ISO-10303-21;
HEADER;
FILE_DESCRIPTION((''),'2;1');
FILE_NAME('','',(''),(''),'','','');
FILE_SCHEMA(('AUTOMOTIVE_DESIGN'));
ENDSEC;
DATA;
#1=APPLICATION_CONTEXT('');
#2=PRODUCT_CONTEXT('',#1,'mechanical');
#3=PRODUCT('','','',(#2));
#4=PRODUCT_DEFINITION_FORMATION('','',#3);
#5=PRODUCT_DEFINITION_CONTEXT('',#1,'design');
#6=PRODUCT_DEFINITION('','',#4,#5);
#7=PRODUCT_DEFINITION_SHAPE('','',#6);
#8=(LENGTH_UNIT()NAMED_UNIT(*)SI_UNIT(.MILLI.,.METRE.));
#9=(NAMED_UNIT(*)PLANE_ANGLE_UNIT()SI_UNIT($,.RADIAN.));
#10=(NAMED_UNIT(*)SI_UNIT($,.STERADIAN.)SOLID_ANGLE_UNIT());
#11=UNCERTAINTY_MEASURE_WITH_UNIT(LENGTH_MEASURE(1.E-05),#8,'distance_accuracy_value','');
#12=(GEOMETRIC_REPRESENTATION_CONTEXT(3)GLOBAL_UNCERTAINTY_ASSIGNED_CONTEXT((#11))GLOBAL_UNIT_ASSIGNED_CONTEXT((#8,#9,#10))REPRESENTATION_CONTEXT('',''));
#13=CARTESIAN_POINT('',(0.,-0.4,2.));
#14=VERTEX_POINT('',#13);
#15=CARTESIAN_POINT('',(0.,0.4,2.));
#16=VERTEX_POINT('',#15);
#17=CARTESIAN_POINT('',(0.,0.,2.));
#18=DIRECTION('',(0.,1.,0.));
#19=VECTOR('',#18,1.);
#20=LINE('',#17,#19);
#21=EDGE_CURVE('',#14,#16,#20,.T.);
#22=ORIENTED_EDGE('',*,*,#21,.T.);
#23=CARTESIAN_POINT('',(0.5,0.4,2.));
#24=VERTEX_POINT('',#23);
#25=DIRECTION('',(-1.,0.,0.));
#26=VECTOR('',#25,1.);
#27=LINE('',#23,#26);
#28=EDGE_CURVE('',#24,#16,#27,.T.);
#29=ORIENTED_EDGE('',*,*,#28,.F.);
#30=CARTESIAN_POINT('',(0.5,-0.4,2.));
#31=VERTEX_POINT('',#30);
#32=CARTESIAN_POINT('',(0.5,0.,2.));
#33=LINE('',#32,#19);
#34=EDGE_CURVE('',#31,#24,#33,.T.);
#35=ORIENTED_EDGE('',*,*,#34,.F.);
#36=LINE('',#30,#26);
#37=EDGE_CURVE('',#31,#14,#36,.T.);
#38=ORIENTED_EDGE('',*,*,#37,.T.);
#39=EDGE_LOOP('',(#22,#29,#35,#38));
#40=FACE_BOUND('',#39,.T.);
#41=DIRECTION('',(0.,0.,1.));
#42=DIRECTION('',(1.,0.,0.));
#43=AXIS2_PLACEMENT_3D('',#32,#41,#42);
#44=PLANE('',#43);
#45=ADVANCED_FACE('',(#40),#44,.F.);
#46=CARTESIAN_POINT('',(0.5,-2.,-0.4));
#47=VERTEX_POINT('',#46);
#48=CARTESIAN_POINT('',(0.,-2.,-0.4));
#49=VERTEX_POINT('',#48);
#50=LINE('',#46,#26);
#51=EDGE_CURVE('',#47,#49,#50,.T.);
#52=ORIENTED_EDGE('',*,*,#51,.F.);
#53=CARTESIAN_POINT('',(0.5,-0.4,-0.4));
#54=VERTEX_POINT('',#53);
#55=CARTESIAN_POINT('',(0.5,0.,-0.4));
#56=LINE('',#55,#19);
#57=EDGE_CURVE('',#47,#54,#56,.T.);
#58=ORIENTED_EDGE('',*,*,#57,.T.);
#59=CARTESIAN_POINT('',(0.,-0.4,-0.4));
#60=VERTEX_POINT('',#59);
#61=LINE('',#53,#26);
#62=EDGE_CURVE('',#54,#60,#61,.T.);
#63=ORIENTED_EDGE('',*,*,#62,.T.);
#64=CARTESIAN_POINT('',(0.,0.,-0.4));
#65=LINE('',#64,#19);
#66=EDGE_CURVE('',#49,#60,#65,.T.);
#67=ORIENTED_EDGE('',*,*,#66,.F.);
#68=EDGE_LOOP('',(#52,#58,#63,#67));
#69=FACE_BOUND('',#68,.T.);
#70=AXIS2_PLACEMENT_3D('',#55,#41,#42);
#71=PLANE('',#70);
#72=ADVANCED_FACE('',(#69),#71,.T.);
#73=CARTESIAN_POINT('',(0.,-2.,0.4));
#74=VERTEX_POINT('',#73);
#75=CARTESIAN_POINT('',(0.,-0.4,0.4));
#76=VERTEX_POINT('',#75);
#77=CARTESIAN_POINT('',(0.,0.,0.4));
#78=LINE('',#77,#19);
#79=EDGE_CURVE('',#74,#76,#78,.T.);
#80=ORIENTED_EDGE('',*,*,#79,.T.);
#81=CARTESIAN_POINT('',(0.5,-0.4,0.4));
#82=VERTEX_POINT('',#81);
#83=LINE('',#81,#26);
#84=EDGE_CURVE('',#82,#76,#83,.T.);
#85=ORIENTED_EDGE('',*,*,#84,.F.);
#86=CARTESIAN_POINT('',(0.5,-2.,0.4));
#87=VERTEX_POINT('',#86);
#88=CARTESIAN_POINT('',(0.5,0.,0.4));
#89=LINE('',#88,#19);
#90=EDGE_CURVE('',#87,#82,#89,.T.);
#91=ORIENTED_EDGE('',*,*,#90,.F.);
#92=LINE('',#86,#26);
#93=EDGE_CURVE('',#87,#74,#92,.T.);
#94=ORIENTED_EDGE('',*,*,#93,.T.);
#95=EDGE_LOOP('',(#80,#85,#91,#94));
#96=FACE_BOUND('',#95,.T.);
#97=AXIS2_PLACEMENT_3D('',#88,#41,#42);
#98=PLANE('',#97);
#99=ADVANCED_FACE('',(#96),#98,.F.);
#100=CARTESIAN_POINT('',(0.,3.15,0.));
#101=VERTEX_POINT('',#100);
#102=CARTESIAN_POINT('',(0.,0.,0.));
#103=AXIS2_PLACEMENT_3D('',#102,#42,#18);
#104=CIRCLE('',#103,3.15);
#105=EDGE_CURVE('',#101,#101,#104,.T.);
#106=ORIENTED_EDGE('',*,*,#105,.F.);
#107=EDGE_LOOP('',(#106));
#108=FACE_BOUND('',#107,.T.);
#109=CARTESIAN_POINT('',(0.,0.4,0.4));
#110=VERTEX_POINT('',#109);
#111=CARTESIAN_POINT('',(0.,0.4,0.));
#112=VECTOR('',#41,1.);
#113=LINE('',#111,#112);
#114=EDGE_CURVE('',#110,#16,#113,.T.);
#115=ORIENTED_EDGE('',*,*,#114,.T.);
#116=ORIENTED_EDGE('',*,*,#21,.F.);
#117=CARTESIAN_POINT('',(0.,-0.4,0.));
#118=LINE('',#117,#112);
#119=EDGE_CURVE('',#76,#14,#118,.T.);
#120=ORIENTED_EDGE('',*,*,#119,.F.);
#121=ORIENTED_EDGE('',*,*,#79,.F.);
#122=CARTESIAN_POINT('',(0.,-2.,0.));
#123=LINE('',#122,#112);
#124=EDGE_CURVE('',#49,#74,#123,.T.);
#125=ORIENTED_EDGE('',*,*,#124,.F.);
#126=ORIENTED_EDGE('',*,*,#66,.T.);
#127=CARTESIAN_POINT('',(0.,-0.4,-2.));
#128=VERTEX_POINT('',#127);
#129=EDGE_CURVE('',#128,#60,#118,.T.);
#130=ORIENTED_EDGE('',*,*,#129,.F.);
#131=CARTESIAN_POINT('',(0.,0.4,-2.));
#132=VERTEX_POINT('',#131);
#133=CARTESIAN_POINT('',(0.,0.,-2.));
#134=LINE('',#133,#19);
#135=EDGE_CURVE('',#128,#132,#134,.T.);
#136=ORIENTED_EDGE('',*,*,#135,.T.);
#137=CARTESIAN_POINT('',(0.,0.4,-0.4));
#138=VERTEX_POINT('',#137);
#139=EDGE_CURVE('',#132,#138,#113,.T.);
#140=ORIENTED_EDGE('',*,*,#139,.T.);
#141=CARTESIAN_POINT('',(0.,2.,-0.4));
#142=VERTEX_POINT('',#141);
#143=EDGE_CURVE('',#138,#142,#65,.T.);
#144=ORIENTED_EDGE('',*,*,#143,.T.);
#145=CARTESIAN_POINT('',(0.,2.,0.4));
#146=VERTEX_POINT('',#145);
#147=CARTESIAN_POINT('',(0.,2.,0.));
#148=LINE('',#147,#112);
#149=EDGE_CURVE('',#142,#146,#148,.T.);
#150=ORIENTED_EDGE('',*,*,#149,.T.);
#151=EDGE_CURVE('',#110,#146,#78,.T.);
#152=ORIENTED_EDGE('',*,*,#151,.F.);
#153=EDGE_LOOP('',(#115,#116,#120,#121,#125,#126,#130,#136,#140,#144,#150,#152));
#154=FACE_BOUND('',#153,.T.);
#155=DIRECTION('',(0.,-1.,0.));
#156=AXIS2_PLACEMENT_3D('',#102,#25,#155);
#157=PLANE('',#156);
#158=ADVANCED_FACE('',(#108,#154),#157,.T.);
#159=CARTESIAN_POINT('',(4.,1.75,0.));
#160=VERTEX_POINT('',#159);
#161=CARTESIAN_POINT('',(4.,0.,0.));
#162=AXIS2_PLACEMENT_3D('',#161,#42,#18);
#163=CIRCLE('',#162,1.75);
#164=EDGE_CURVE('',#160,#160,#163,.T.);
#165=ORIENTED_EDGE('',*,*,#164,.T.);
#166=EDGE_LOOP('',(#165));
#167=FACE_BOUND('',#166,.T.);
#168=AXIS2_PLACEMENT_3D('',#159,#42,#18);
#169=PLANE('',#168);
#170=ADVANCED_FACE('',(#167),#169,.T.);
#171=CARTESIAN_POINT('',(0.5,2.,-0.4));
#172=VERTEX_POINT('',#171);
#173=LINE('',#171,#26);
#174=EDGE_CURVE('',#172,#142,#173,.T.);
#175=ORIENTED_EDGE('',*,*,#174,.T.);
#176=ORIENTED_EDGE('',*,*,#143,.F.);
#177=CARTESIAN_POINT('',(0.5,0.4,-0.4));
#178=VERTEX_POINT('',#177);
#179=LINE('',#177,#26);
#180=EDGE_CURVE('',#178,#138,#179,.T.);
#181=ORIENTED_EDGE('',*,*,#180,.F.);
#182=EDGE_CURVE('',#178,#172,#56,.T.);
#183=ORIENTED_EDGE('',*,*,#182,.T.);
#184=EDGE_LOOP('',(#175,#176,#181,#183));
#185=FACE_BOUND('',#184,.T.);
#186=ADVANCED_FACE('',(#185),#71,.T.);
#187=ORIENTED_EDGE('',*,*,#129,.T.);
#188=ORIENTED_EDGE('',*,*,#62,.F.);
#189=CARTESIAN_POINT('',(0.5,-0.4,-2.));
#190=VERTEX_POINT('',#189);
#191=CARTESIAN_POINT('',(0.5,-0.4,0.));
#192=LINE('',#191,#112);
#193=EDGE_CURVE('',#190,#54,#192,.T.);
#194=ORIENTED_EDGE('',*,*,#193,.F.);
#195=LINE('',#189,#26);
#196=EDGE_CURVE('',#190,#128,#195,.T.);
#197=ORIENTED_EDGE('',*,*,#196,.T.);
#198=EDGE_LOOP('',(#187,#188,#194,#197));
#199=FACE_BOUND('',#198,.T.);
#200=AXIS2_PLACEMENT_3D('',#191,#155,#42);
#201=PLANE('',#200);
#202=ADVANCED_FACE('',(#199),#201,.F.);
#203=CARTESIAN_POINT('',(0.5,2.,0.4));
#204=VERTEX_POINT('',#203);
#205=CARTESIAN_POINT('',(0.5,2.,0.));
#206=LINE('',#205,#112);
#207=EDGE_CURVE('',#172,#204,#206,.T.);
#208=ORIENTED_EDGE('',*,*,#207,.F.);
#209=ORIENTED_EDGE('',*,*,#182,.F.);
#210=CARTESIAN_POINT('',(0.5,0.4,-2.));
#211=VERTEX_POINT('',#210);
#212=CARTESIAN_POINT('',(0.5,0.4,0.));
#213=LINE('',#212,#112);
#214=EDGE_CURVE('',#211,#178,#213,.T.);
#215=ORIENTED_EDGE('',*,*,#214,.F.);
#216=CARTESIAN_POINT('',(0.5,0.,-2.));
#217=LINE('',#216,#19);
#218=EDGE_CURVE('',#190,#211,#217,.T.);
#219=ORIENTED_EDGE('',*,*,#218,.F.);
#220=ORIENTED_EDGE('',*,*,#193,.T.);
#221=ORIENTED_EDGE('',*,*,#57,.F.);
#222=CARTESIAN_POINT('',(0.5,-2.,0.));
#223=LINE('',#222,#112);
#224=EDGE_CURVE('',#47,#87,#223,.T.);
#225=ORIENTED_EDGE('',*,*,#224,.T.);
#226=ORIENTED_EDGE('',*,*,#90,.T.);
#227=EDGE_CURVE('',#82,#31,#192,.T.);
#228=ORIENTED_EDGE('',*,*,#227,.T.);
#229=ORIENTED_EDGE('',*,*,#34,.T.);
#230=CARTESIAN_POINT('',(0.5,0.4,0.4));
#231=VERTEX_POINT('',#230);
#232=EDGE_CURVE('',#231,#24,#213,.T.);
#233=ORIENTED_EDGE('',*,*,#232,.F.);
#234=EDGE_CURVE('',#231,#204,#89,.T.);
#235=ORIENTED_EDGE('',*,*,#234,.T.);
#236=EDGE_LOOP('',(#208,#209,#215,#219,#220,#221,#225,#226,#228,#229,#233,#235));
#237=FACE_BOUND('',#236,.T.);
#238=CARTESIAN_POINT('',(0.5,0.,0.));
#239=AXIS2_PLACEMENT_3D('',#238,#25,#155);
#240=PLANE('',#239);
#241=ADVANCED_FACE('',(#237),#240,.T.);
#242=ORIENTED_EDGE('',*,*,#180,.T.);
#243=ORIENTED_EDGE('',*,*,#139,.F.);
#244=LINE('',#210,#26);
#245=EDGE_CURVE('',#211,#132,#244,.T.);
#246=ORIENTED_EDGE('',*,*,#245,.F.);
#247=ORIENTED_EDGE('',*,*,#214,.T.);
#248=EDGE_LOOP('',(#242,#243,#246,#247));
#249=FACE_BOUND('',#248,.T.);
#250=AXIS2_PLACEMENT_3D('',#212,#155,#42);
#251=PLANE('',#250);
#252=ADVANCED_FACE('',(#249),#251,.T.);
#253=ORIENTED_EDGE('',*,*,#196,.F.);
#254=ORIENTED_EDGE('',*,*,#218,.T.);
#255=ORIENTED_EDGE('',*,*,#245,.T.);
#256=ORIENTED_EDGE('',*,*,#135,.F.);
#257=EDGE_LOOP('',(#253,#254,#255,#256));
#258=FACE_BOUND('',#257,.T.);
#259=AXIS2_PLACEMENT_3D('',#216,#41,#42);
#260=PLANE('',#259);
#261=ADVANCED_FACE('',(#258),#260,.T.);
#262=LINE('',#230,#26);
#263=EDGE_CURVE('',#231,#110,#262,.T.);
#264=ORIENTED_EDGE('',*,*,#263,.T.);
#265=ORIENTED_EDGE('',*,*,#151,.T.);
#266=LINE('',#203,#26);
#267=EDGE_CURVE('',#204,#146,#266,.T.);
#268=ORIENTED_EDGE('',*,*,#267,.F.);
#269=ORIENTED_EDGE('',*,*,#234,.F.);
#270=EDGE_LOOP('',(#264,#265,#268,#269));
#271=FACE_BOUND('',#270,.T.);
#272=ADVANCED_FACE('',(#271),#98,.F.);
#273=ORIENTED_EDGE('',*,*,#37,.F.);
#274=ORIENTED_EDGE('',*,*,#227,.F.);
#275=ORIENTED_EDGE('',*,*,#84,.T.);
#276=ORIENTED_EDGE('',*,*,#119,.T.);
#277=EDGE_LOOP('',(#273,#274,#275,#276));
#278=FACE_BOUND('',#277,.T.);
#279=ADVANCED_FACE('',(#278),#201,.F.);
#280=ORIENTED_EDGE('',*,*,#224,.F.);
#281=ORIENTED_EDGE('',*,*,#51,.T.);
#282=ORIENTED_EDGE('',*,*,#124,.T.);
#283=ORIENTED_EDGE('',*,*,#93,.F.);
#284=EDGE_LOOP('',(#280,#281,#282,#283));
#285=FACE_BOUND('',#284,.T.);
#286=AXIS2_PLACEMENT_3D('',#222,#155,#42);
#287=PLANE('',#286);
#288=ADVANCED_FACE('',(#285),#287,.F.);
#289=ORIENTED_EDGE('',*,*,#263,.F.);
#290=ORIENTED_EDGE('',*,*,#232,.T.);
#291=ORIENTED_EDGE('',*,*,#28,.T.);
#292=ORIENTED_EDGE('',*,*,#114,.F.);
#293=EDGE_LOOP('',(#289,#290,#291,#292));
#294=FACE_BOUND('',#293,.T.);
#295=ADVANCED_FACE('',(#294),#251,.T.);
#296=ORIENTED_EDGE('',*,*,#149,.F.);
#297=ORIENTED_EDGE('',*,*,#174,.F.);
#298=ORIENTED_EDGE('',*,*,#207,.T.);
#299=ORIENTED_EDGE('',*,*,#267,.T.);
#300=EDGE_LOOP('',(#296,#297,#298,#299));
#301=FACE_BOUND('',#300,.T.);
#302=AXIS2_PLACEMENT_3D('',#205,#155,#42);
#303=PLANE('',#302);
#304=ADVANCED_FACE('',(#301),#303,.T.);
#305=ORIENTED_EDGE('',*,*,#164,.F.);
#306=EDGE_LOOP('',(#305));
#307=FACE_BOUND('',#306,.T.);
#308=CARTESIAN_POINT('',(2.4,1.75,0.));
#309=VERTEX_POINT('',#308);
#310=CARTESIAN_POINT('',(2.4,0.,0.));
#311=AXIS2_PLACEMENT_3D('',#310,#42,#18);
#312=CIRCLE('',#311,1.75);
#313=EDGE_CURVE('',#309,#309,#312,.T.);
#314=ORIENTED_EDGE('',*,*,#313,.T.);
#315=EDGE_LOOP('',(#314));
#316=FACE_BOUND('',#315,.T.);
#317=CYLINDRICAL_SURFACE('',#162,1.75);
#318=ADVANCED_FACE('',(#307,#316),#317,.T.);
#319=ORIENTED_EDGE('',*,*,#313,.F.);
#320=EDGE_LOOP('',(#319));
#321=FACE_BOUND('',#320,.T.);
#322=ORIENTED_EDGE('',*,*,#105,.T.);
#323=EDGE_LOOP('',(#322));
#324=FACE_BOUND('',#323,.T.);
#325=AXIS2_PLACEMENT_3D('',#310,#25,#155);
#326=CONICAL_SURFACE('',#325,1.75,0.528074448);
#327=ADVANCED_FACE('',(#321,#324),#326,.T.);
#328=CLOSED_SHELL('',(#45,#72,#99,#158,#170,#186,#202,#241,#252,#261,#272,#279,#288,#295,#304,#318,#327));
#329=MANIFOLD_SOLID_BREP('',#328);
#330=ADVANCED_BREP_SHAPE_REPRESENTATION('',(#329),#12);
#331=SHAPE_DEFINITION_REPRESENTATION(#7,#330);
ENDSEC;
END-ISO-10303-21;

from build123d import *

# Parameters (mm, degrees)
SKETCH_2_W          = 0.8
SKETCH_2_H          = 1.6
SKETCH_2_W_2        = 1.6
SKETCH_2_H_2        = 0.8
CUT_EXTRUDE_1_DEPTH = 0.5


with BuildPart() as part:
    # 草图1 → 旋转1 (revolve)
    with BuildSketch(Plane.XY):
        Polygon((0, 0), (0, 3.15), (2.4, 1.75), (4, 1.75), (4, 0), align=None)
    revolve(axis=Axis((4, 0, 0), (-1, 0, 0)))

    # 草图2 → 切除-拉伸1 (cut)
    with BuildSketch(Plane.ZY):
        with Locations((0, -1.2)):
            Rectangle(SKETCH_2_W, SKETCH_2_H)
        with Locations((1.2, 0)):
            Rectangle(SKETCH_2_W_2, SKETCH_2_H_2)
        with Locations((0, 1.2)):
            Rectangle(SKETCH_2_W, SKETCH_2_H)
        Rectangle(SKETCH_2_W, SKETCH_2_H_2)
        with Locations((-1.2, 0)):
            Rectangle(SKETCH_2_W_2, SKETCH_2_H_2)
    extrude(amount=-CUT_EXTRUDE_1_DEPTH, mode=Mode.SUBTRACT)


solid = part.part
